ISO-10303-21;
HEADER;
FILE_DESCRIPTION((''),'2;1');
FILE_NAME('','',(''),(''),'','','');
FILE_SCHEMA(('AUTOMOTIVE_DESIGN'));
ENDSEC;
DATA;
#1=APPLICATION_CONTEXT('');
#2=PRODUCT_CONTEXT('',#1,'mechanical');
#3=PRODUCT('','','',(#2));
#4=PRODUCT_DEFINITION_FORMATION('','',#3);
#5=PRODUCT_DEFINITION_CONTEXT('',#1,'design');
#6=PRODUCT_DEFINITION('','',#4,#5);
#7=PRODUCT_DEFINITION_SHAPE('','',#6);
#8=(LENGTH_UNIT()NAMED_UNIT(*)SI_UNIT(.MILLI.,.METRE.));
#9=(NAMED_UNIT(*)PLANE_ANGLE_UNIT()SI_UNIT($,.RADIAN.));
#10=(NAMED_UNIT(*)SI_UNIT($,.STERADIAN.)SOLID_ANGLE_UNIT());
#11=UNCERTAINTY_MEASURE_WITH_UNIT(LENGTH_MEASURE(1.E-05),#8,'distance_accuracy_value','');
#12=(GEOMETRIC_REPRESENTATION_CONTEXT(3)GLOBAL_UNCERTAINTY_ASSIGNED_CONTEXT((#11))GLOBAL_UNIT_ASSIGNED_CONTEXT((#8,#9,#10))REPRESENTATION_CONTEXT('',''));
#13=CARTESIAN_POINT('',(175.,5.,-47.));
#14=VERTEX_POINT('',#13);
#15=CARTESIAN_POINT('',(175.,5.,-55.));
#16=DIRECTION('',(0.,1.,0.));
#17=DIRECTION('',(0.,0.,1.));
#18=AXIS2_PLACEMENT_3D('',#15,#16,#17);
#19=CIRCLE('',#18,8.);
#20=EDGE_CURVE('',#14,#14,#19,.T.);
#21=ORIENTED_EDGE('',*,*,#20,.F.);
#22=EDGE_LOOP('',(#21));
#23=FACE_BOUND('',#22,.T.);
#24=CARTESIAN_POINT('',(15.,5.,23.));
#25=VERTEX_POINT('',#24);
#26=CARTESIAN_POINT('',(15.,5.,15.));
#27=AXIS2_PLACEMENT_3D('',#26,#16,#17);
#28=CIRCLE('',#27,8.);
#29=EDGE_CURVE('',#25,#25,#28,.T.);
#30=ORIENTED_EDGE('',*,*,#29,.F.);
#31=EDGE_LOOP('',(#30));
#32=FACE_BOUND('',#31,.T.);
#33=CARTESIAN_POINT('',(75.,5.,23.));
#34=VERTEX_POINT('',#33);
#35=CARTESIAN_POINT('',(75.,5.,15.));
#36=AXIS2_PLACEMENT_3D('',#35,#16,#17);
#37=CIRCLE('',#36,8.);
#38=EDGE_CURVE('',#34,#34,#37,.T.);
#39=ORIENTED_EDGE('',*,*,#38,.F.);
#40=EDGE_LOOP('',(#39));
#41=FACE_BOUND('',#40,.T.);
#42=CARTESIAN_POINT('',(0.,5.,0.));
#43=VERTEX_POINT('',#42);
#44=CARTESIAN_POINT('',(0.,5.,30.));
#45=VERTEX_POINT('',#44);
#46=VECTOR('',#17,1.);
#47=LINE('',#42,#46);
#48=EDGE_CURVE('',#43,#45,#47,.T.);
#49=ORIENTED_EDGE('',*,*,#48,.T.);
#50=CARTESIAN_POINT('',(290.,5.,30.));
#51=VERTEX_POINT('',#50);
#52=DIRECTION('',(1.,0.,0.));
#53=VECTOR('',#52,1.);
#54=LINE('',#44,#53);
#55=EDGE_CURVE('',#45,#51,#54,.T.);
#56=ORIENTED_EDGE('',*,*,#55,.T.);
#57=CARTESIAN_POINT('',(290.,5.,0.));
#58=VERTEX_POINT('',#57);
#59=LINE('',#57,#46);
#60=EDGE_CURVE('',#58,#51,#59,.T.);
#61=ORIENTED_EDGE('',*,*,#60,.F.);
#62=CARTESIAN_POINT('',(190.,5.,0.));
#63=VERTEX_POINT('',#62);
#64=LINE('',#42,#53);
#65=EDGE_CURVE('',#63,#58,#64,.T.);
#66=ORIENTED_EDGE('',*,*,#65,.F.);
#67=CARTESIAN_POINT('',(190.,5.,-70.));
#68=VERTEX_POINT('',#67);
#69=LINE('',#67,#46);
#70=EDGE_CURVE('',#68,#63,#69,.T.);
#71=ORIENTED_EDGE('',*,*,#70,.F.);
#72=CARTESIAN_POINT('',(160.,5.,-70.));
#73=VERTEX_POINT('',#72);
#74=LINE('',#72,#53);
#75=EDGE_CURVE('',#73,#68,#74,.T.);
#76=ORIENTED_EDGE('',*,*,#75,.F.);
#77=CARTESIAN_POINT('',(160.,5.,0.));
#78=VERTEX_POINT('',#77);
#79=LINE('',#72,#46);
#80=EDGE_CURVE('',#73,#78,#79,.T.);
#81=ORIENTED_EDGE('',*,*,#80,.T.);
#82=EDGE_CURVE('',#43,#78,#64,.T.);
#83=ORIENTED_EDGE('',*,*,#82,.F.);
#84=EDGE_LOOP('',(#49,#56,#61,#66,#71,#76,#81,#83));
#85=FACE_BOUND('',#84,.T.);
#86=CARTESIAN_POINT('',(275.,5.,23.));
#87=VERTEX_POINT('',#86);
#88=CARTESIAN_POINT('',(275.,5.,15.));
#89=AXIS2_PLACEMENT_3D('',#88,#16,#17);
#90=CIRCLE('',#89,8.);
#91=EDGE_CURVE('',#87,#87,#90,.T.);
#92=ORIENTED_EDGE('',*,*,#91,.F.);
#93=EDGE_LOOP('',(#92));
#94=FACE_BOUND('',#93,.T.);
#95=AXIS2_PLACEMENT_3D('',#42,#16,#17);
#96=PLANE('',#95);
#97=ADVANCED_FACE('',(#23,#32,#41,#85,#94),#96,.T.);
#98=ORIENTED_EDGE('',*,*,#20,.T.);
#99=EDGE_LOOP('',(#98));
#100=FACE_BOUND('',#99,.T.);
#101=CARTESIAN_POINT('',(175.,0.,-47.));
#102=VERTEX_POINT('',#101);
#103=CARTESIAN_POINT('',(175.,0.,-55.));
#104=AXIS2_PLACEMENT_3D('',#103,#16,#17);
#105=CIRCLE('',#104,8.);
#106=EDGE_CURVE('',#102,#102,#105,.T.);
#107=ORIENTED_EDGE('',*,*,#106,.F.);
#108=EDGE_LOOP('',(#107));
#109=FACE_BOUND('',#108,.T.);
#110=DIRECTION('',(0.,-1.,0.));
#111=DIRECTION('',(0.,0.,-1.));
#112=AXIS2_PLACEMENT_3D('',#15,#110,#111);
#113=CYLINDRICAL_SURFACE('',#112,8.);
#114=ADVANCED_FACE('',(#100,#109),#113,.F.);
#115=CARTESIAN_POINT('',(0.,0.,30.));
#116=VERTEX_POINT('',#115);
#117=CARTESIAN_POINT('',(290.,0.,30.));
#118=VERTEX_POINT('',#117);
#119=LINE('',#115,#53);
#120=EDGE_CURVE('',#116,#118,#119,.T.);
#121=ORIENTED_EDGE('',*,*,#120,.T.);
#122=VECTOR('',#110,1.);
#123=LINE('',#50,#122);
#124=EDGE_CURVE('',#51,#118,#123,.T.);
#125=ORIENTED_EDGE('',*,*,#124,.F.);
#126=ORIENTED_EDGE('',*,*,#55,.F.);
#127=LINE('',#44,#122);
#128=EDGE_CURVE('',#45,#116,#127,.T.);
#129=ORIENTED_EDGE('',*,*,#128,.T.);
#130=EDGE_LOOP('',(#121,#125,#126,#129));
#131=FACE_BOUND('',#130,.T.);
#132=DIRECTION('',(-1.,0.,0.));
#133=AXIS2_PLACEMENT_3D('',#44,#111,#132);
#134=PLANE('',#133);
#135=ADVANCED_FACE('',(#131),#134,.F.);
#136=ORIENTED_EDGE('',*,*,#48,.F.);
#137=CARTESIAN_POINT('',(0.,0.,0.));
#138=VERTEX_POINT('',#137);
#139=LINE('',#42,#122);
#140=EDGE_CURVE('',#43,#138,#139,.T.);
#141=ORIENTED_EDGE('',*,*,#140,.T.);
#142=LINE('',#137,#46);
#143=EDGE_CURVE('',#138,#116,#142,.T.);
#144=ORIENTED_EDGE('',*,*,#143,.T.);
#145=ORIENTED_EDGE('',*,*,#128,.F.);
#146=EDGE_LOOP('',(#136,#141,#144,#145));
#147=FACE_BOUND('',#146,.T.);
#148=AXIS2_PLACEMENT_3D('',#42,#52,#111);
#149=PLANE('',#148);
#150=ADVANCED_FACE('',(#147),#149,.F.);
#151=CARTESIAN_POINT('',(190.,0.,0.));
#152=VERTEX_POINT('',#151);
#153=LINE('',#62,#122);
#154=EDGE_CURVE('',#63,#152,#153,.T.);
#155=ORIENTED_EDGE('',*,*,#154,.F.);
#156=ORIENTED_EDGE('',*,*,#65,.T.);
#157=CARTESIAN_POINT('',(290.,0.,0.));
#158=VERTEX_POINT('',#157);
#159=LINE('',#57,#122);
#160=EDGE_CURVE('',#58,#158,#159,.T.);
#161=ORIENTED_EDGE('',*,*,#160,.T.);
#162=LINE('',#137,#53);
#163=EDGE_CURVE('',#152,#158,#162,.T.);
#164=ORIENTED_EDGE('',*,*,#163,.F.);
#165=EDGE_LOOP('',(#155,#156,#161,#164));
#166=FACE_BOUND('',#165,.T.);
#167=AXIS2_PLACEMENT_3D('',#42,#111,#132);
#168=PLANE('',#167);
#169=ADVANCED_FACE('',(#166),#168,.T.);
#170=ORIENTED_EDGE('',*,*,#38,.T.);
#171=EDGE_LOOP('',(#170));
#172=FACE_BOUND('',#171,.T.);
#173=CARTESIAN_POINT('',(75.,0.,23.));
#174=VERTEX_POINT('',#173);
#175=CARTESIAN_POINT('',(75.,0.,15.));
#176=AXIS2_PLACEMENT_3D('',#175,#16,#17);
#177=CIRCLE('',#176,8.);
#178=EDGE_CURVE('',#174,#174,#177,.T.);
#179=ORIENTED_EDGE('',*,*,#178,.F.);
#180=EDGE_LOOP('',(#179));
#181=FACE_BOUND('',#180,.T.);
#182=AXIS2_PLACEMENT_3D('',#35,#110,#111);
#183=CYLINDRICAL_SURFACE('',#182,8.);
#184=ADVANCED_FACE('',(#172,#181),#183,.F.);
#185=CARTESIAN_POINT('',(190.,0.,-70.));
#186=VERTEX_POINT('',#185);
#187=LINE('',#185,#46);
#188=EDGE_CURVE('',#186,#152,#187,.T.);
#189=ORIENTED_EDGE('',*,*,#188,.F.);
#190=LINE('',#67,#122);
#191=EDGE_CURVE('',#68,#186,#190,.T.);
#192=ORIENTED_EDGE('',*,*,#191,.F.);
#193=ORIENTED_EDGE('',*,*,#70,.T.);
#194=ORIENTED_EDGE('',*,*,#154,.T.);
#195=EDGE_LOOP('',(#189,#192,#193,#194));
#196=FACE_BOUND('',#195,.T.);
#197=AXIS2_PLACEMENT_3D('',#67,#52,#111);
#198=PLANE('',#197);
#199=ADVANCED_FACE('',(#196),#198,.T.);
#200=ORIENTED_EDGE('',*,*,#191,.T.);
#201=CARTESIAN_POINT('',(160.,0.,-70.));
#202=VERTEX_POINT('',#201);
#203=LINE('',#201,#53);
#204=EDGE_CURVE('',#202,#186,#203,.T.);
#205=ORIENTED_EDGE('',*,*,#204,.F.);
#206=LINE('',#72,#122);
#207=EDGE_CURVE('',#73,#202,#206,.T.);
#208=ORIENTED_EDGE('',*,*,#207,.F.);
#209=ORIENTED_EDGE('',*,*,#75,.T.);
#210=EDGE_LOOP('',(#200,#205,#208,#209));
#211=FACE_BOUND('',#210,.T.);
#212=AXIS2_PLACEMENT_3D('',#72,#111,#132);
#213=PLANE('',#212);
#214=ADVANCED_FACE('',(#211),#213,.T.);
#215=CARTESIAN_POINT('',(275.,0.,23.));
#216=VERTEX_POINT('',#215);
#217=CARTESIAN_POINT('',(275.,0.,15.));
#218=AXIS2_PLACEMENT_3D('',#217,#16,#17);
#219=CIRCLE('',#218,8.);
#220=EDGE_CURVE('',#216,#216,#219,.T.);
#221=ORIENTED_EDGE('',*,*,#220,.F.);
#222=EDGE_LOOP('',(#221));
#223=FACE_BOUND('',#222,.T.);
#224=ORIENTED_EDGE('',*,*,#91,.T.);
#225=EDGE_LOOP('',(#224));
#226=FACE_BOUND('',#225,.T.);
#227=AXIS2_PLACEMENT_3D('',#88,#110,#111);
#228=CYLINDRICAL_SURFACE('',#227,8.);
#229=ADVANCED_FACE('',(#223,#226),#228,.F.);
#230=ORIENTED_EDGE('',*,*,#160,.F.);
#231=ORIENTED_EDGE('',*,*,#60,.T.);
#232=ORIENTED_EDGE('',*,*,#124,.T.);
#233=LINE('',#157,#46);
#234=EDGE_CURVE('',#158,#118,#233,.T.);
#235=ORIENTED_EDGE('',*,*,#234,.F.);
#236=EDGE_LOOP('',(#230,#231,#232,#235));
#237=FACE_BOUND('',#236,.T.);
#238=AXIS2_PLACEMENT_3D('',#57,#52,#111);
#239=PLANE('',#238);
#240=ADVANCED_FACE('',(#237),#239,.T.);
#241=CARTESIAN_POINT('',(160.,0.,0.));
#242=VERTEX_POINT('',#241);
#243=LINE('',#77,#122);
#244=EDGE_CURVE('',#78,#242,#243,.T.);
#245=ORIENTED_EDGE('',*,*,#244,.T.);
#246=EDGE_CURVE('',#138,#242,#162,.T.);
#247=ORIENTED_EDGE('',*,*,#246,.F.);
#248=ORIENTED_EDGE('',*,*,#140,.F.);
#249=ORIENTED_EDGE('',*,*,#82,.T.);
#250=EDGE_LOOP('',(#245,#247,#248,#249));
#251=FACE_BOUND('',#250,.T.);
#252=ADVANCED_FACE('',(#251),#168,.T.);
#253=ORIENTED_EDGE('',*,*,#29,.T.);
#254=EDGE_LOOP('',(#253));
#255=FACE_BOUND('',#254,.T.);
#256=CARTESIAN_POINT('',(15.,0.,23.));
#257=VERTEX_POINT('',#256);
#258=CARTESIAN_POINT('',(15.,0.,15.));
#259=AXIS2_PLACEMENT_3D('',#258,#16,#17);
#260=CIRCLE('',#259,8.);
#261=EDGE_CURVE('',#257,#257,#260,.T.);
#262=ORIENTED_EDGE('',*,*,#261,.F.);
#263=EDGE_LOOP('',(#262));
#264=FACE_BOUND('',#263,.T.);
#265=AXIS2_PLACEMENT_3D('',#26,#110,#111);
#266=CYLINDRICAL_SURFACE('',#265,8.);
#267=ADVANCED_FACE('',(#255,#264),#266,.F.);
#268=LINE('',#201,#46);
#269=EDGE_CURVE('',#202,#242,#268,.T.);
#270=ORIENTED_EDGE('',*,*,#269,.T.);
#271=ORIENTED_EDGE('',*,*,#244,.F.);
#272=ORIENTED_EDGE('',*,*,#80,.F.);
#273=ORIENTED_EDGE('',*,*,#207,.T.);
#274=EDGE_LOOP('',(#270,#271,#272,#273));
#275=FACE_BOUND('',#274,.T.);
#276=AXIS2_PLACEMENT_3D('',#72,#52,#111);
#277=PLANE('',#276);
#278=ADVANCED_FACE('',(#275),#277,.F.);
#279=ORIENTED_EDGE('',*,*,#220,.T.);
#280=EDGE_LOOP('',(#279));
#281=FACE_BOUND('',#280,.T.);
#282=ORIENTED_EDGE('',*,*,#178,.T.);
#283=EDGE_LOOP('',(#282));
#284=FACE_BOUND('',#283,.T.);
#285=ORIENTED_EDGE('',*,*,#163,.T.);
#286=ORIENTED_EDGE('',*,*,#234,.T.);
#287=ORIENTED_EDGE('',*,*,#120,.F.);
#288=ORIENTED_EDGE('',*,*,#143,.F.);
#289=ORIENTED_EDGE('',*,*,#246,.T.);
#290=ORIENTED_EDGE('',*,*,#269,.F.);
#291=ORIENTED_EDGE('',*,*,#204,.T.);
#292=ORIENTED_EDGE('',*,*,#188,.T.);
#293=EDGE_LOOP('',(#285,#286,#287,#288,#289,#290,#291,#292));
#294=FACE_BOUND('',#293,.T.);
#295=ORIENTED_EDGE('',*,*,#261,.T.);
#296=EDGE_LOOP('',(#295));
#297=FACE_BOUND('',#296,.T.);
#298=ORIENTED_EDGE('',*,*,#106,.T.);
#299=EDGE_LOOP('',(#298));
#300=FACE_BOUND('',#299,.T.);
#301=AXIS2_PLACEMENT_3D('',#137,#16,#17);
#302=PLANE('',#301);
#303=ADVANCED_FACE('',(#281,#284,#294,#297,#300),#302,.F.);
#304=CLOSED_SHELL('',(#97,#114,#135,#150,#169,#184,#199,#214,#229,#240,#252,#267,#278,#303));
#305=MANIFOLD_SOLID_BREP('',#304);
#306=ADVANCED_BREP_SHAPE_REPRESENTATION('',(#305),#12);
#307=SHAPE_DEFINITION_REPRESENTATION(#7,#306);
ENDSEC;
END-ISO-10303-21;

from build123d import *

# Parameters (mm, degrees)
SKETCH2_W           = 290
SKETCH2_H           = 30
SKETCH2_R           = 8
SKETCH2_W_2         = 30
SKETCH2_H_2         = 90
BOSS_EXTRUDE5_DEPTH = 5


with BuildPart() as part:
    # Sketch2 → Boss-Extrude5 (new body)
    # profile 1 of 2: a face of its own
    with BuildSketch(Plane(origin=(0, 0, 0), x_dir=(1, 0, 0), z_dir=(0, 1, 0))):
        with Locations((145, -15)):
            Rectangle(SKETCH2_W, SKETCH2_H)
        with Locations(Location((15, -15, 0), (0, 0, 270))):
            Circle(SKETCH2_R, mode=Mode.SUBTRACT)
        with Locations(Location((275, -15, 0), (0, 0, 270))):
            Circle(SKETCH2_R, mode=Mode.SUBTRACT)
        with Locations(Location((75, -15, 0), (0, 0, 270))):
            Circle(SKETCH2_R, mode=Mode.SUBTRACT)
    # profile 2 of 2: a face of its own
    with BuildSketch(Plane(origin=(0, 0, 0), x_dir=(1, 0, 0), z_dir=(0, 1, 0))):
        with Locations((175, 25)):
            Rectangle(SKETCH2_W_2, SKETCH2_H_2)
        with Locations(Location((175, 55, 0), (0, 0, 270))):
            Circle(SKETCH2_R, mode=Mode.SUBTRACT)
    extrude(amount=BOSS_EXTRUDE5_DEPTH)


solid = part.part
